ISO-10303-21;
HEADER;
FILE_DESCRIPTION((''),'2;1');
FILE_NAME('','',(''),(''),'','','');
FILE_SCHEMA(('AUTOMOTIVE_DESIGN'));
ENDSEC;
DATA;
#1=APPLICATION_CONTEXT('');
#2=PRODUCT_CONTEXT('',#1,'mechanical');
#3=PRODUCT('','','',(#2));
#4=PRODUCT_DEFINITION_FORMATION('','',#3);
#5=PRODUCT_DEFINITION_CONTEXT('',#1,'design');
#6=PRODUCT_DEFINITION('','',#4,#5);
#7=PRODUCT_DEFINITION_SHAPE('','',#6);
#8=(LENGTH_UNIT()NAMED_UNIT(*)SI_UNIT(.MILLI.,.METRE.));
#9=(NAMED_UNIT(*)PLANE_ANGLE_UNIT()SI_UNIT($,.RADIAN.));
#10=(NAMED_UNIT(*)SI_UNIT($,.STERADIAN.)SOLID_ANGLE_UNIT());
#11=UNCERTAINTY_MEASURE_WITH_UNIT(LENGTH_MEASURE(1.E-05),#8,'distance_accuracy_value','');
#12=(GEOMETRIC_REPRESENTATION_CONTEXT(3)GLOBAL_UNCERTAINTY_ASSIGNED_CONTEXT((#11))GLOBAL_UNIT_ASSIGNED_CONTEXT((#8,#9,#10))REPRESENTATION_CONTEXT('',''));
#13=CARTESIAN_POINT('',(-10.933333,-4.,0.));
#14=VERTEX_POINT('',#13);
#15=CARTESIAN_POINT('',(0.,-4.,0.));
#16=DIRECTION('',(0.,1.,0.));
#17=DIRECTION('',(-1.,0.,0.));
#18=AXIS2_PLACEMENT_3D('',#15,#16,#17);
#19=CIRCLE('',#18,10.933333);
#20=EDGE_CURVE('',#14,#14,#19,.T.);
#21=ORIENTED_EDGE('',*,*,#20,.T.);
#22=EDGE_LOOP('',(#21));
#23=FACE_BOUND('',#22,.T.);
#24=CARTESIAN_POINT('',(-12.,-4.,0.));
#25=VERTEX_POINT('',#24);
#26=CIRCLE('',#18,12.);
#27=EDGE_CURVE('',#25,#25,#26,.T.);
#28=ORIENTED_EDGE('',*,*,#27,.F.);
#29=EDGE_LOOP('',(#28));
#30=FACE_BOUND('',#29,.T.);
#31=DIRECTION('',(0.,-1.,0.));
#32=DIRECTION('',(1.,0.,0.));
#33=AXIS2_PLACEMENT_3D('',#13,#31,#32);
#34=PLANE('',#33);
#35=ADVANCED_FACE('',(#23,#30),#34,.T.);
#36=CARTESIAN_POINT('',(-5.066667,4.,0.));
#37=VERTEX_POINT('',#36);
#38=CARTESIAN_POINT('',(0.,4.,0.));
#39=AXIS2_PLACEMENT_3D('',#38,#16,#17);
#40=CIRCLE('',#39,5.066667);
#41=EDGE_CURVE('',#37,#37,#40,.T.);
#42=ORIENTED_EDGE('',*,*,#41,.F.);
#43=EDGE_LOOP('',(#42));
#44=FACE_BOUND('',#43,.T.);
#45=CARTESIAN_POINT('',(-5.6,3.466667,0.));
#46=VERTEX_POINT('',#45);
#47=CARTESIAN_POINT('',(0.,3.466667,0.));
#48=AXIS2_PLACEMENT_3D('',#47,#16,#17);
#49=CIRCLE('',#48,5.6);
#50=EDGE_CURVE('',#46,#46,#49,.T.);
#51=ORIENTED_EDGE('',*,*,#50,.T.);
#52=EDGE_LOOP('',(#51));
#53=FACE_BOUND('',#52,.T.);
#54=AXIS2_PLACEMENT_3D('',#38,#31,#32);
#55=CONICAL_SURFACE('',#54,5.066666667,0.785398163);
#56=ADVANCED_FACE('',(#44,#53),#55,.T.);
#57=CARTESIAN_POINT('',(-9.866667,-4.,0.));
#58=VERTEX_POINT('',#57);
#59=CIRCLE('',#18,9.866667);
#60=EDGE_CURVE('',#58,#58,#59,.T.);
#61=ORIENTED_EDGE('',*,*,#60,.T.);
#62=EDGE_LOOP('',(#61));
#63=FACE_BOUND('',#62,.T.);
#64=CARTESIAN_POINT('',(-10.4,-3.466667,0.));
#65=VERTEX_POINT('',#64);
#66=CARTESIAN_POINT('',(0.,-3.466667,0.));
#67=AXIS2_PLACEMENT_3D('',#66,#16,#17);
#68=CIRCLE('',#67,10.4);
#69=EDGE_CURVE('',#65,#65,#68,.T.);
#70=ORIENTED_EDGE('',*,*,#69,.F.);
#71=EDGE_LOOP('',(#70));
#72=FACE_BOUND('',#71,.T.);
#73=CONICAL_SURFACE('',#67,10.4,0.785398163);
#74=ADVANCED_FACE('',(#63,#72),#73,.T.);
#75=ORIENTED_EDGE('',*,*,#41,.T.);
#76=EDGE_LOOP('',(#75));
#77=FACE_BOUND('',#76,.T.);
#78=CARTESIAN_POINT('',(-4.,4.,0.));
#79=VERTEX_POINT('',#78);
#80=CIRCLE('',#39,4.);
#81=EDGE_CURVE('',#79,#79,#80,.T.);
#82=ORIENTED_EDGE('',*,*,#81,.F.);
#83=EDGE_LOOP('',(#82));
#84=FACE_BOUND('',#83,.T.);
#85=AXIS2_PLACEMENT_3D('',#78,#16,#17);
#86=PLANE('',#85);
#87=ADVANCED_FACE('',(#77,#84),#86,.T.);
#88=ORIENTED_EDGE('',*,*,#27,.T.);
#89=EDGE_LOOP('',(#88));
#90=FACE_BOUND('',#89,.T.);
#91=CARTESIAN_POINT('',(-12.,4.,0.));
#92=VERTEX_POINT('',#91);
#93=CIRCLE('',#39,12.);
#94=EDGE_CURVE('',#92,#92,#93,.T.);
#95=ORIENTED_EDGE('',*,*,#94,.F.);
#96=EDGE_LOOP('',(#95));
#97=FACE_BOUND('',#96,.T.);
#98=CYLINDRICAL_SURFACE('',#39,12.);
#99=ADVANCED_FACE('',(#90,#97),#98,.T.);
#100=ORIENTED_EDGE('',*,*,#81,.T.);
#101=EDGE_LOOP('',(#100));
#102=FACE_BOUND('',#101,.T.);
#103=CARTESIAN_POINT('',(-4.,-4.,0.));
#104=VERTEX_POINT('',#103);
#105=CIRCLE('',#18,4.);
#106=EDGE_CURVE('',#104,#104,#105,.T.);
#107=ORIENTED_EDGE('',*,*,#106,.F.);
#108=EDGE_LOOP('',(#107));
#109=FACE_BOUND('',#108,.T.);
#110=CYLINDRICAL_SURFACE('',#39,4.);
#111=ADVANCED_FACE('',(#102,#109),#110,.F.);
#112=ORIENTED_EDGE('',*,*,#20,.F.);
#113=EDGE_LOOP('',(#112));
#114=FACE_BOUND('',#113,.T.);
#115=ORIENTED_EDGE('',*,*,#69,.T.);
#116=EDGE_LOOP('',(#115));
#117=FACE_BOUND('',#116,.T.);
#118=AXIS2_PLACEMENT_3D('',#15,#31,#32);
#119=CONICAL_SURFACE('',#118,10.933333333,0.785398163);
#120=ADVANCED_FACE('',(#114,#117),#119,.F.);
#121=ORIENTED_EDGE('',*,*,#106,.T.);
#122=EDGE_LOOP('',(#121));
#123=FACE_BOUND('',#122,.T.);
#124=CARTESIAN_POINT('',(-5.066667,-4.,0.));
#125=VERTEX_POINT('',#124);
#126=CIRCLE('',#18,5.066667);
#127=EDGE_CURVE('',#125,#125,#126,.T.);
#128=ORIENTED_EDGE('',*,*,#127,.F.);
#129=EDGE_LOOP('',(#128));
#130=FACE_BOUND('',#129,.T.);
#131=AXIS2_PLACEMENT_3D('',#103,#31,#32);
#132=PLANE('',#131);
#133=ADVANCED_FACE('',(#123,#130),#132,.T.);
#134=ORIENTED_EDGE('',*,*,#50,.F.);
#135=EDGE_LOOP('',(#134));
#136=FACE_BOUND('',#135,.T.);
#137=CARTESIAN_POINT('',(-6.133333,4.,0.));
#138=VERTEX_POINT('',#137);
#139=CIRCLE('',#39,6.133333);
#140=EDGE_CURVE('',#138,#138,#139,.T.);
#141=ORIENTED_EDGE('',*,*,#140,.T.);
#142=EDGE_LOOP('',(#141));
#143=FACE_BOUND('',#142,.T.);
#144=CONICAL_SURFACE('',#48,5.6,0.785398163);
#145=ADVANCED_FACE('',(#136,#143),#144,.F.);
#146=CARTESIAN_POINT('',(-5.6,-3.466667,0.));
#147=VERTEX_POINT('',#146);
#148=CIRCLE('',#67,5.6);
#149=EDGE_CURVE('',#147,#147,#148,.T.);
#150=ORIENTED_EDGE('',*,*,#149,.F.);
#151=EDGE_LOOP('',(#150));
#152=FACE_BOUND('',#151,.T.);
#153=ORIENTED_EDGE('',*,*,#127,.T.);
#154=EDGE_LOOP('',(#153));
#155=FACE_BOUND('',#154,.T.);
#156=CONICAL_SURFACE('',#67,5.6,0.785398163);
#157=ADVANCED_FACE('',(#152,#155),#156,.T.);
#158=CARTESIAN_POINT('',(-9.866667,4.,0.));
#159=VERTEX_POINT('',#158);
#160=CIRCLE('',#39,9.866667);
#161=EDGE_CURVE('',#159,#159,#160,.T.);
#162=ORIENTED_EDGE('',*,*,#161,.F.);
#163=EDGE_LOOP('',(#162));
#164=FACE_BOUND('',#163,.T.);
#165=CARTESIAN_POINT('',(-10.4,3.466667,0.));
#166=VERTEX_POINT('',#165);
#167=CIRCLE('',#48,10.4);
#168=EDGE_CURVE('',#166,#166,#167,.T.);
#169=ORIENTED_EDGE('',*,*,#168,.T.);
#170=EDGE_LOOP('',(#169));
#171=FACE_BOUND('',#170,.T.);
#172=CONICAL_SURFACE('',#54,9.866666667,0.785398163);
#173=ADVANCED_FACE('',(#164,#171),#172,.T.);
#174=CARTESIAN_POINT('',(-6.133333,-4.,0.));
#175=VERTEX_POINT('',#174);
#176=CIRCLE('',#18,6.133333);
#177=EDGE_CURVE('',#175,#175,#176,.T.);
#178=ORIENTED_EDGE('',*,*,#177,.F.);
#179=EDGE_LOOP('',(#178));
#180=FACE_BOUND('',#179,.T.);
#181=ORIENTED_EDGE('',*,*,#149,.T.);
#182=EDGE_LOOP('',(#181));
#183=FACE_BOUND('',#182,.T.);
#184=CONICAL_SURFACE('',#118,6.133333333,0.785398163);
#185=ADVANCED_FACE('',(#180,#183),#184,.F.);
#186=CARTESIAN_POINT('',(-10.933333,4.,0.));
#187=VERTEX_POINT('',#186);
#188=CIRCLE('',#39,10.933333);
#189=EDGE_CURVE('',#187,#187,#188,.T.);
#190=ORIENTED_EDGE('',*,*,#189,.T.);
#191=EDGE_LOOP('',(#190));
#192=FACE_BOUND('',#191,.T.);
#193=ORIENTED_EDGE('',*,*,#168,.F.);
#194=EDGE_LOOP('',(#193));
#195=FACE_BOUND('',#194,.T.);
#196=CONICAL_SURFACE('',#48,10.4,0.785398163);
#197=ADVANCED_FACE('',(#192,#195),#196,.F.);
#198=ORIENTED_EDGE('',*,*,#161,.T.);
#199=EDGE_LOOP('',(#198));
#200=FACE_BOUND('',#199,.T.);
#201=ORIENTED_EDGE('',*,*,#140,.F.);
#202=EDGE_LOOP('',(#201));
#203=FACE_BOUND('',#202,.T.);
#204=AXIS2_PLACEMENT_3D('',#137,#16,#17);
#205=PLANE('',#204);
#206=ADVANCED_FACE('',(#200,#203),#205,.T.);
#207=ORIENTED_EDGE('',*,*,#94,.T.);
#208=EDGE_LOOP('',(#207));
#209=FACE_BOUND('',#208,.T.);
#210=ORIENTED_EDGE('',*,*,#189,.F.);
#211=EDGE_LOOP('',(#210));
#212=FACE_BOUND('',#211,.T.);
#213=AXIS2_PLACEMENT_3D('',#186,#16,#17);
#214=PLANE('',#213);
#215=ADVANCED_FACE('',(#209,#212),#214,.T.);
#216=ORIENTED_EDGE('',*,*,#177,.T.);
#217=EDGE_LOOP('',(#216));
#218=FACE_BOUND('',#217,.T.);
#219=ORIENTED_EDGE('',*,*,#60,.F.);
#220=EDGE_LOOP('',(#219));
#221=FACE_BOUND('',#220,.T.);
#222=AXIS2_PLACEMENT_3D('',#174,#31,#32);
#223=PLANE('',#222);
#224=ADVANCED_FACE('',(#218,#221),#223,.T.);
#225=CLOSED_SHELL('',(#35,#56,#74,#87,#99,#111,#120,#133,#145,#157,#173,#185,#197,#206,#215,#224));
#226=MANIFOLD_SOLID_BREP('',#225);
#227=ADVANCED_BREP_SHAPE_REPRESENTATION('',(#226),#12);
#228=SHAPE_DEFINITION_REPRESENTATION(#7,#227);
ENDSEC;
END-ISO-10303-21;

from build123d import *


with BuildPart() as part:
    # Sketch1 → Revolve1 (revolve)
    with BuildSketch(Plane.XY):
        Polygon((-4, 4), (-5.066666667, 4), (-5.6, 3.466666667), (-6.133333333, 4), (-9.866666667, 4), (-10.4, 3.466666667), (-10.933333333, 4), (-12, 4), (-12, -4), (-10.933333333, -4), (-10.4, -3.466666667), (-9.866666667, -4), (-6.133333333, -4), (-5.6, -3.466666667), (-5.066666667, -4), (-4, -4), align=None)
    revolve(axis=Axis((0, 4, 0), (0, -1, 0)))


solid = part.part
